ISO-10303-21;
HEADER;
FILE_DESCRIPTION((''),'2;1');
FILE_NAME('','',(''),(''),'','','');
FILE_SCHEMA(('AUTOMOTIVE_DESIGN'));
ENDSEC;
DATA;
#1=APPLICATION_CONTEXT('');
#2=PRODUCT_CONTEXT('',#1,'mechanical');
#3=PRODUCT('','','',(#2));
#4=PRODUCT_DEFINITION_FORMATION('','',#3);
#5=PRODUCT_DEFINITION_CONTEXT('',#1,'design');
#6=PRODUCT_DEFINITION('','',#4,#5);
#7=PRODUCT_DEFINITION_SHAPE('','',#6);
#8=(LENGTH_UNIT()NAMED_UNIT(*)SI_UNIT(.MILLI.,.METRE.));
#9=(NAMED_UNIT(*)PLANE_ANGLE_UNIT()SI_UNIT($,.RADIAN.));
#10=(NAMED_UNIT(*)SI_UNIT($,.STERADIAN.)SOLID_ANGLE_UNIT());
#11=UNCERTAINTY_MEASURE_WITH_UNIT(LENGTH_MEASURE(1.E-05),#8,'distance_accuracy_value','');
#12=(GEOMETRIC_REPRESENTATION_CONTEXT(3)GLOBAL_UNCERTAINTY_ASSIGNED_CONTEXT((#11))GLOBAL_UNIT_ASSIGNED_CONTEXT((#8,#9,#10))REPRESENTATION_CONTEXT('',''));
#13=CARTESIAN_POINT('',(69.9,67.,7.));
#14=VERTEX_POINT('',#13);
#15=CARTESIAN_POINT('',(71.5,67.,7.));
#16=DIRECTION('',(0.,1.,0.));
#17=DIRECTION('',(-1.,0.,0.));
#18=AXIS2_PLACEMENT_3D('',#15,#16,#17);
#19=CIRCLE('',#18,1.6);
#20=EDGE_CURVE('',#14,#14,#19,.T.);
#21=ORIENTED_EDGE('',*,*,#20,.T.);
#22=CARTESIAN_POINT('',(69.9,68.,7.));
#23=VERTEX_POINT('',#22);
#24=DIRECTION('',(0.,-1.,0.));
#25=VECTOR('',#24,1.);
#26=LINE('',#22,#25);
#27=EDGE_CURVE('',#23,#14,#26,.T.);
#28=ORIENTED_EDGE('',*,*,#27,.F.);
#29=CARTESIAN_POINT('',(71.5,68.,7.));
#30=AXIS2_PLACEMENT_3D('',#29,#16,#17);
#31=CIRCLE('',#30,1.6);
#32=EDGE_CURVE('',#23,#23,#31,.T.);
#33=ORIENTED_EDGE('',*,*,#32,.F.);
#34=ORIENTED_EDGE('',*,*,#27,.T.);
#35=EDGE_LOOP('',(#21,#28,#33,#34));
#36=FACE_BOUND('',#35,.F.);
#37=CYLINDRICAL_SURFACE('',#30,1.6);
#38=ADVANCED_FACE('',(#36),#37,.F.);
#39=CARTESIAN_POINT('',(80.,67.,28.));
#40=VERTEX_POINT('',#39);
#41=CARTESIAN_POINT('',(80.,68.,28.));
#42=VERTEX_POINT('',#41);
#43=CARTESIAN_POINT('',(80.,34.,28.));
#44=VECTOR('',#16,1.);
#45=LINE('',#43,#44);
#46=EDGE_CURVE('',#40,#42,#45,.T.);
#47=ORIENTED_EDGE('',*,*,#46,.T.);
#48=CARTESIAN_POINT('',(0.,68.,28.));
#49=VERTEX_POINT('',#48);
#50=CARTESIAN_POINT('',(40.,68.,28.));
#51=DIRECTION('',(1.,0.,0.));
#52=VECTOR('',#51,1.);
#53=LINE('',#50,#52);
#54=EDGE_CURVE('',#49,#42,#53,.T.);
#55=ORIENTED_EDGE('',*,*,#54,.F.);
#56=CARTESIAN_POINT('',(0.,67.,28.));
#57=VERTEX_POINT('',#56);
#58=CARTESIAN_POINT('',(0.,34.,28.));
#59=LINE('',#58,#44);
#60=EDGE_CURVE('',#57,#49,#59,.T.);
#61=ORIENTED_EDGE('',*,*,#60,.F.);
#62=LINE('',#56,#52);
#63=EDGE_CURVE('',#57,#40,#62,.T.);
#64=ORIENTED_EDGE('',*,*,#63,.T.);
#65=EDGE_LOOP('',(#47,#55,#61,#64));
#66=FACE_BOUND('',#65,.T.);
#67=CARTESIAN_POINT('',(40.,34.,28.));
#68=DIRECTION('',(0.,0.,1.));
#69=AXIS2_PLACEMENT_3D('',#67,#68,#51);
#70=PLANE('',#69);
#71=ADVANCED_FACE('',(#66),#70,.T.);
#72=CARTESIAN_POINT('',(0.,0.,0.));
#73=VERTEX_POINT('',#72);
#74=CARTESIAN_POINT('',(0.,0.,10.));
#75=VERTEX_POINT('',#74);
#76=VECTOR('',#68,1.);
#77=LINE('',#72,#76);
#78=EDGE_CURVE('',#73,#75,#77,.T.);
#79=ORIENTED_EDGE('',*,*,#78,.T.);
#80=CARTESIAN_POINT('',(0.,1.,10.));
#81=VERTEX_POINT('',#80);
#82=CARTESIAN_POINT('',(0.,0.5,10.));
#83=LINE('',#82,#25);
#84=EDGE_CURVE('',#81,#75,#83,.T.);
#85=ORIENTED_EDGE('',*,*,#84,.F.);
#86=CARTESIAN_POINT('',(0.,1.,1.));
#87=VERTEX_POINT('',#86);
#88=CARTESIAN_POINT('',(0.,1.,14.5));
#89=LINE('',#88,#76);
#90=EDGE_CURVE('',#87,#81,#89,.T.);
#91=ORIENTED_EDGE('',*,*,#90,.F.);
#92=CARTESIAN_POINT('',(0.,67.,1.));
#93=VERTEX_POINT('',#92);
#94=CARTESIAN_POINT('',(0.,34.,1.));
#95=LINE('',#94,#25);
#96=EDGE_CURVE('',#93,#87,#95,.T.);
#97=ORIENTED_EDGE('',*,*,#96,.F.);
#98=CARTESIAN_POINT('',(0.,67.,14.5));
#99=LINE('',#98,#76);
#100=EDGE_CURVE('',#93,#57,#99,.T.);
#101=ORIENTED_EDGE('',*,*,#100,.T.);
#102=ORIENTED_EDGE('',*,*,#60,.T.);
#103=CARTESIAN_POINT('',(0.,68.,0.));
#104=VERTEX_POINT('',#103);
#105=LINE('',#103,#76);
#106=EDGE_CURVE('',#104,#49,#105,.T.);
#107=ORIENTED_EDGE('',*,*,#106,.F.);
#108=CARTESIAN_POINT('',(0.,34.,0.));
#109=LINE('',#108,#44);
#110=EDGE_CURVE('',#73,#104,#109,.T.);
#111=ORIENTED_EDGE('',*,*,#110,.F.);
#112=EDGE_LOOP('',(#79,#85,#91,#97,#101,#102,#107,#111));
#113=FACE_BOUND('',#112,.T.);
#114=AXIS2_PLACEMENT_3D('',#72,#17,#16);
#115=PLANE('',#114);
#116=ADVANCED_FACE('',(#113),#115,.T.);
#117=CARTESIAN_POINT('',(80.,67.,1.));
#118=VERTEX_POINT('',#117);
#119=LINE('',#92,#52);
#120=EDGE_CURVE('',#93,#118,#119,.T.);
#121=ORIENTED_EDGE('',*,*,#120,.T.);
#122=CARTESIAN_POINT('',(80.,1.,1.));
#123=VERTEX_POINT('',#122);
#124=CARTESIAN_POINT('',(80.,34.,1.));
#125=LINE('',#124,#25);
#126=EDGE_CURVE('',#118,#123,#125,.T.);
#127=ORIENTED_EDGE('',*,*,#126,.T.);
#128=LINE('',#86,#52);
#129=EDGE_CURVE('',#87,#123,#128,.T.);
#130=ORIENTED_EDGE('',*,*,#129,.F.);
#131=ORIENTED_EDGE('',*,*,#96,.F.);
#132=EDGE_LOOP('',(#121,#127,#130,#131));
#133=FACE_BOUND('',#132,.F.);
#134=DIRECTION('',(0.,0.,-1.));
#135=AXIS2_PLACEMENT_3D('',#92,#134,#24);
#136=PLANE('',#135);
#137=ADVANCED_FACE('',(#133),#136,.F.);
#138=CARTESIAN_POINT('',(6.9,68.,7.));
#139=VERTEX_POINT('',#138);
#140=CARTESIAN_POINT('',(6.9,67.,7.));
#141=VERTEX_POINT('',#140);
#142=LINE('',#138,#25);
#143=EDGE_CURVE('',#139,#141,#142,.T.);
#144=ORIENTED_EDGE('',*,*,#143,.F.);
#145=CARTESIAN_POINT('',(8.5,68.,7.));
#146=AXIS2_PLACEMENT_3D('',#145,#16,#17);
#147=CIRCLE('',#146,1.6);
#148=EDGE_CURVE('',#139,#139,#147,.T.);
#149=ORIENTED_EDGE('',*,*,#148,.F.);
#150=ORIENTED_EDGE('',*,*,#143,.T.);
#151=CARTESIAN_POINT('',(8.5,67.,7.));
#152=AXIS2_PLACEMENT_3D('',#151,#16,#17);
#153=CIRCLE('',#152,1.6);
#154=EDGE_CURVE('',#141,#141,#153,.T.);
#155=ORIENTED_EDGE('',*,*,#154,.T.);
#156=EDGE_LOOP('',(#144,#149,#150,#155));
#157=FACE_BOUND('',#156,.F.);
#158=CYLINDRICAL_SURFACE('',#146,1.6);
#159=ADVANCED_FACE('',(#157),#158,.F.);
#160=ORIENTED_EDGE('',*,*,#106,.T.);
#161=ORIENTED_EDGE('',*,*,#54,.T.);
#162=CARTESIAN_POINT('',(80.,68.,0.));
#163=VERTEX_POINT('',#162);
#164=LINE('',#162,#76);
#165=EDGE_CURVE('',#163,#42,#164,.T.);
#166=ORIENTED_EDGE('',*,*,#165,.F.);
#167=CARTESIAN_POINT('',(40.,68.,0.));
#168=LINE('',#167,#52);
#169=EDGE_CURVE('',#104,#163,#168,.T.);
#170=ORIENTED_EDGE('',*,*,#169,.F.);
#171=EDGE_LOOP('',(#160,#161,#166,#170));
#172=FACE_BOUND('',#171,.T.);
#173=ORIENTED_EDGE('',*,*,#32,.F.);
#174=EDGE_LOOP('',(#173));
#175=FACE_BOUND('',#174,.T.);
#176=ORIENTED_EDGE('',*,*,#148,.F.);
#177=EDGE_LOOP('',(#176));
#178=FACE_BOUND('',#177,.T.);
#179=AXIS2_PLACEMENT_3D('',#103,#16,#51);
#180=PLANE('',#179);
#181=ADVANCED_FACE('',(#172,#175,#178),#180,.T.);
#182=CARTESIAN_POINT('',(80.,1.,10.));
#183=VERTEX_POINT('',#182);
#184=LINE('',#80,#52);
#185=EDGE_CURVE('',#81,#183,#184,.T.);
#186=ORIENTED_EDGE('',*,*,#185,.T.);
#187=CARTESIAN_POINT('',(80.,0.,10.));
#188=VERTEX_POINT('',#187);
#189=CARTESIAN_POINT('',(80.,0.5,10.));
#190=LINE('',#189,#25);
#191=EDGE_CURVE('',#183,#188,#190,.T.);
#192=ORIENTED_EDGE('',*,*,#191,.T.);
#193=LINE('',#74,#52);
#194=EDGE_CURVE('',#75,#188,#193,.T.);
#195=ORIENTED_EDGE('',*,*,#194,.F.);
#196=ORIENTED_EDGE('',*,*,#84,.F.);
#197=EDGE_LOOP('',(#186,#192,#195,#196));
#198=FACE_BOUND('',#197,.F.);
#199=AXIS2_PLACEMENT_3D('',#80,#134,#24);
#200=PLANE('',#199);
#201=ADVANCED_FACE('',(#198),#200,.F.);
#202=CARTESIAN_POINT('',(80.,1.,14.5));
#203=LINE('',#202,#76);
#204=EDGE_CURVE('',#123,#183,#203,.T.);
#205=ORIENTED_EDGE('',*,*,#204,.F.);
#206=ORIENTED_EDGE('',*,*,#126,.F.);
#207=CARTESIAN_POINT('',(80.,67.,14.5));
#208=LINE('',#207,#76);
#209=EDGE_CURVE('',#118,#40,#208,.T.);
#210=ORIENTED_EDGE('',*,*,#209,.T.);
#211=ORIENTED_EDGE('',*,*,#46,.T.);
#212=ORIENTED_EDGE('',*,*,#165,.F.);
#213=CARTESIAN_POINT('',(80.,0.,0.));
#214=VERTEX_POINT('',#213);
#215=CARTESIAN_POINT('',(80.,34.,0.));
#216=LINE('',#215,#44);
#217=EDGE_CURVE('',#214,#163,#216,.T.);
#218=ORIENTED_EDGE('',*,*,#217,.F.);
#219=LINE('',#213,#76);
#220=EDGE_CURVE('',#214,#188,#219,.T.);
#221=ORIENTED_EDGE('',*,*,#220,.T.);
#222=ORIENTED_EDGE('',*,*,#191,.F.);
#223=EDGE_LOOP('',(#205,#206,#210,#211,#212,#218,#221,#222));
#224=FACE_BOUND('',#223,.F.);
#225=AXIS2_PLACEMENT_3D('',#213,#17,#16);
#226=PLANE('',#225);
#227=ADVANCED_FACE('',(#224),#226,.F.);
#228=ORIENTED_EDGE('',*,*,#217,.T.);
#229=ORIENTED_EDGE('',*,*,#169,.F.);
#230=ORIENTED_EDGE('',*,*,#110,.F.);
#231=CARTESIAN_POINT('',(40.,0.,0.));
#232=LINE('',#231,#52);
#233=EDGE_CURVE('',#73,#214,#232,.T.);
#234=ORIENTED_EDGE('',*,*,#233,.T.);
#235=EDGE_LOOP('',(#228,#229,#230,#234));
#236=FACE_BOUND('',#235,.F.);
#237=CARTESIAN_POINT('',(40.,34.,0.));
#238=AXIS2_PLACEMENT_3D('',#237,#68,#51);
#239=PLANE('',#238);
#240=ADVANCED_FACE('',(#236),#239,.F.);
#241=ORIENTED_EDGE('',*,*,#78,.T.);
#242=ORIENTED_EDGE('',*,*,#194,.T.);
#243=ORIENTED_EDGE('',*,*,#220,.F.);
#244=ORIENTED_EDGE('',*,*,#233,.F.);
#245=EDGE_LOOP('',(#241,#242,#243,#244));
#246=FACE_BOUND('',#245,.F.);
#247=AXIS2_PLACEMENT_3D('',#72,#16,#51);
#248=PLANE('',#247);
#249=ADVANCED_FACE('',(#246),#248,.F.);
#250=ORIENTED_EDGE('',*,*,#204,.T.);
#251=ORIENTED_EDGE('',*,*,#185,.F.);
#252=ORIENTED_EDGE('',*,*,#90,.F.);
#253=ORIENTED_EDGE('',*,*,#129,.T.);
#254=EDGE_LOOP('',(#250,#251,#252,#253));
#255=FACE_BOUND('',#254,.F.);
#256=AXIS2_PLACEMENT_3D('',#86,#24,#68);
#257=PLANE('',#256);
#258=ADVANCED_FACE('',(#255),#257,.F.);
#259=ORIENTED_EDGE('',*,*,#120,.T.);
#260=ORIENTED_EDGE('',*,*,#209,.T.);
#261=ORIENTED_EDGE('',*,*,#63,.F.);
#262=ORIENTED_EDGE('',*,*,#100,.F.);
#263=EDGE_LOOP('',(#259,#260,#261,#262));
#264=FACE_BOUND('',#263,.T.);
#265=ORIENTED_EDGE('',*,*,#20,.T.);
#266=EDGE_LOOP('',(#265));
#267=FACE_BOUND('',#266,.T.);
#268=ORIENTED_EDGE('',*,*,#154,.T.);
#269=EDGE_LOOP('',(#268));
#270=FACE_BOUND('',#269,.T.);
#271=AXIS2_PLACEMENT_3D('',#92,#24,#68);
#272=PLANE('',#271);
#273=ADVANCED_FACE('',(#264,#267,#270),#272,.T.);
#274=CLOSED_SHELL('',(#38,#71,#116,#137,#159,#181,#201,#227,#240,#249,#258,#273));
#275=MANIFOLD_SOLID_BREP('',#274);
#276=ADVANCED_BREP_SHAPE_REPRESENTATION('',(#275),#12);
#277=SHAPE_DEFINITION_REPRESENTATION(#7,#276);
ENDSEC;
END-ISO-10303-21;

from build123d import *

# Parameters (mm, degrees)
SKETCH_W        = 80
SKETCH_H        = 68
PAD_DEPTH       = 28
SKETCH001_W     = 66
SKETCH001_H     = 27
POCKET_DEPTH    = 80
SKETCH002_W     = 1
SKETCH002_H     = 18
POCKET001_DEPTH = 80
SKETCH003_R     = 1.6
POCKET002_DEPTH = 5


with BuildPart() as part:
    # Sketch → Pad (new body)
    with BuildSketch(Plane.XY):
        with Locations((40, 34)):
            Rectangle(SKETCH_W, SKETCH_H)
    extrude(amount=PAD_DEPTH)

    # Sketch001 (on Face4 of Pad) → Pocket (cut)
    with BuildSketch(Plane(origin=(0, 0, 0), x_dir=(0, -1, 0), z_dir=(-1, 0, 0))):
        with Locations((-34, 14.5)):
            Rectangle(SKETCH001_W, SKETCH001_H)
    extrude(amount=-POCKET_DEPTH, mode=Mode.SUBTRACT)

    # Sketch002 (on Face2 of Pocket) → Pocket001 (cut)
    with BuildSketch(Plane(origin=(0, 0, 0), x_dir=(0, -1, 0), z_dir=(-1, 0, 0))):
        with Locations((-0.5, 19)):
            Rectangle(SKETCH002_W, SKETCH002_H)
    extrude(amount=-POCKET001_DEPTH, mode=Mode.SUBTRACT)

    # Sketch003 (on Face6 of Pocket001) → Pocket002 (cut)
    with BuildSketch(Plane(origin=(0, 68, 0), x_dir=(-1, 0, 0), z_dir=(0, 1, 0))):
        with Locations((-71.5, 7)):
            Circle(SKETCH003_R)
        with Locations((-8.5, 7)):
            Circle(SKETCH003_R)
    extrude(amount=-POCKET002_DEPTH, mode=Mode.SUBTRACT)


solid = part.part
